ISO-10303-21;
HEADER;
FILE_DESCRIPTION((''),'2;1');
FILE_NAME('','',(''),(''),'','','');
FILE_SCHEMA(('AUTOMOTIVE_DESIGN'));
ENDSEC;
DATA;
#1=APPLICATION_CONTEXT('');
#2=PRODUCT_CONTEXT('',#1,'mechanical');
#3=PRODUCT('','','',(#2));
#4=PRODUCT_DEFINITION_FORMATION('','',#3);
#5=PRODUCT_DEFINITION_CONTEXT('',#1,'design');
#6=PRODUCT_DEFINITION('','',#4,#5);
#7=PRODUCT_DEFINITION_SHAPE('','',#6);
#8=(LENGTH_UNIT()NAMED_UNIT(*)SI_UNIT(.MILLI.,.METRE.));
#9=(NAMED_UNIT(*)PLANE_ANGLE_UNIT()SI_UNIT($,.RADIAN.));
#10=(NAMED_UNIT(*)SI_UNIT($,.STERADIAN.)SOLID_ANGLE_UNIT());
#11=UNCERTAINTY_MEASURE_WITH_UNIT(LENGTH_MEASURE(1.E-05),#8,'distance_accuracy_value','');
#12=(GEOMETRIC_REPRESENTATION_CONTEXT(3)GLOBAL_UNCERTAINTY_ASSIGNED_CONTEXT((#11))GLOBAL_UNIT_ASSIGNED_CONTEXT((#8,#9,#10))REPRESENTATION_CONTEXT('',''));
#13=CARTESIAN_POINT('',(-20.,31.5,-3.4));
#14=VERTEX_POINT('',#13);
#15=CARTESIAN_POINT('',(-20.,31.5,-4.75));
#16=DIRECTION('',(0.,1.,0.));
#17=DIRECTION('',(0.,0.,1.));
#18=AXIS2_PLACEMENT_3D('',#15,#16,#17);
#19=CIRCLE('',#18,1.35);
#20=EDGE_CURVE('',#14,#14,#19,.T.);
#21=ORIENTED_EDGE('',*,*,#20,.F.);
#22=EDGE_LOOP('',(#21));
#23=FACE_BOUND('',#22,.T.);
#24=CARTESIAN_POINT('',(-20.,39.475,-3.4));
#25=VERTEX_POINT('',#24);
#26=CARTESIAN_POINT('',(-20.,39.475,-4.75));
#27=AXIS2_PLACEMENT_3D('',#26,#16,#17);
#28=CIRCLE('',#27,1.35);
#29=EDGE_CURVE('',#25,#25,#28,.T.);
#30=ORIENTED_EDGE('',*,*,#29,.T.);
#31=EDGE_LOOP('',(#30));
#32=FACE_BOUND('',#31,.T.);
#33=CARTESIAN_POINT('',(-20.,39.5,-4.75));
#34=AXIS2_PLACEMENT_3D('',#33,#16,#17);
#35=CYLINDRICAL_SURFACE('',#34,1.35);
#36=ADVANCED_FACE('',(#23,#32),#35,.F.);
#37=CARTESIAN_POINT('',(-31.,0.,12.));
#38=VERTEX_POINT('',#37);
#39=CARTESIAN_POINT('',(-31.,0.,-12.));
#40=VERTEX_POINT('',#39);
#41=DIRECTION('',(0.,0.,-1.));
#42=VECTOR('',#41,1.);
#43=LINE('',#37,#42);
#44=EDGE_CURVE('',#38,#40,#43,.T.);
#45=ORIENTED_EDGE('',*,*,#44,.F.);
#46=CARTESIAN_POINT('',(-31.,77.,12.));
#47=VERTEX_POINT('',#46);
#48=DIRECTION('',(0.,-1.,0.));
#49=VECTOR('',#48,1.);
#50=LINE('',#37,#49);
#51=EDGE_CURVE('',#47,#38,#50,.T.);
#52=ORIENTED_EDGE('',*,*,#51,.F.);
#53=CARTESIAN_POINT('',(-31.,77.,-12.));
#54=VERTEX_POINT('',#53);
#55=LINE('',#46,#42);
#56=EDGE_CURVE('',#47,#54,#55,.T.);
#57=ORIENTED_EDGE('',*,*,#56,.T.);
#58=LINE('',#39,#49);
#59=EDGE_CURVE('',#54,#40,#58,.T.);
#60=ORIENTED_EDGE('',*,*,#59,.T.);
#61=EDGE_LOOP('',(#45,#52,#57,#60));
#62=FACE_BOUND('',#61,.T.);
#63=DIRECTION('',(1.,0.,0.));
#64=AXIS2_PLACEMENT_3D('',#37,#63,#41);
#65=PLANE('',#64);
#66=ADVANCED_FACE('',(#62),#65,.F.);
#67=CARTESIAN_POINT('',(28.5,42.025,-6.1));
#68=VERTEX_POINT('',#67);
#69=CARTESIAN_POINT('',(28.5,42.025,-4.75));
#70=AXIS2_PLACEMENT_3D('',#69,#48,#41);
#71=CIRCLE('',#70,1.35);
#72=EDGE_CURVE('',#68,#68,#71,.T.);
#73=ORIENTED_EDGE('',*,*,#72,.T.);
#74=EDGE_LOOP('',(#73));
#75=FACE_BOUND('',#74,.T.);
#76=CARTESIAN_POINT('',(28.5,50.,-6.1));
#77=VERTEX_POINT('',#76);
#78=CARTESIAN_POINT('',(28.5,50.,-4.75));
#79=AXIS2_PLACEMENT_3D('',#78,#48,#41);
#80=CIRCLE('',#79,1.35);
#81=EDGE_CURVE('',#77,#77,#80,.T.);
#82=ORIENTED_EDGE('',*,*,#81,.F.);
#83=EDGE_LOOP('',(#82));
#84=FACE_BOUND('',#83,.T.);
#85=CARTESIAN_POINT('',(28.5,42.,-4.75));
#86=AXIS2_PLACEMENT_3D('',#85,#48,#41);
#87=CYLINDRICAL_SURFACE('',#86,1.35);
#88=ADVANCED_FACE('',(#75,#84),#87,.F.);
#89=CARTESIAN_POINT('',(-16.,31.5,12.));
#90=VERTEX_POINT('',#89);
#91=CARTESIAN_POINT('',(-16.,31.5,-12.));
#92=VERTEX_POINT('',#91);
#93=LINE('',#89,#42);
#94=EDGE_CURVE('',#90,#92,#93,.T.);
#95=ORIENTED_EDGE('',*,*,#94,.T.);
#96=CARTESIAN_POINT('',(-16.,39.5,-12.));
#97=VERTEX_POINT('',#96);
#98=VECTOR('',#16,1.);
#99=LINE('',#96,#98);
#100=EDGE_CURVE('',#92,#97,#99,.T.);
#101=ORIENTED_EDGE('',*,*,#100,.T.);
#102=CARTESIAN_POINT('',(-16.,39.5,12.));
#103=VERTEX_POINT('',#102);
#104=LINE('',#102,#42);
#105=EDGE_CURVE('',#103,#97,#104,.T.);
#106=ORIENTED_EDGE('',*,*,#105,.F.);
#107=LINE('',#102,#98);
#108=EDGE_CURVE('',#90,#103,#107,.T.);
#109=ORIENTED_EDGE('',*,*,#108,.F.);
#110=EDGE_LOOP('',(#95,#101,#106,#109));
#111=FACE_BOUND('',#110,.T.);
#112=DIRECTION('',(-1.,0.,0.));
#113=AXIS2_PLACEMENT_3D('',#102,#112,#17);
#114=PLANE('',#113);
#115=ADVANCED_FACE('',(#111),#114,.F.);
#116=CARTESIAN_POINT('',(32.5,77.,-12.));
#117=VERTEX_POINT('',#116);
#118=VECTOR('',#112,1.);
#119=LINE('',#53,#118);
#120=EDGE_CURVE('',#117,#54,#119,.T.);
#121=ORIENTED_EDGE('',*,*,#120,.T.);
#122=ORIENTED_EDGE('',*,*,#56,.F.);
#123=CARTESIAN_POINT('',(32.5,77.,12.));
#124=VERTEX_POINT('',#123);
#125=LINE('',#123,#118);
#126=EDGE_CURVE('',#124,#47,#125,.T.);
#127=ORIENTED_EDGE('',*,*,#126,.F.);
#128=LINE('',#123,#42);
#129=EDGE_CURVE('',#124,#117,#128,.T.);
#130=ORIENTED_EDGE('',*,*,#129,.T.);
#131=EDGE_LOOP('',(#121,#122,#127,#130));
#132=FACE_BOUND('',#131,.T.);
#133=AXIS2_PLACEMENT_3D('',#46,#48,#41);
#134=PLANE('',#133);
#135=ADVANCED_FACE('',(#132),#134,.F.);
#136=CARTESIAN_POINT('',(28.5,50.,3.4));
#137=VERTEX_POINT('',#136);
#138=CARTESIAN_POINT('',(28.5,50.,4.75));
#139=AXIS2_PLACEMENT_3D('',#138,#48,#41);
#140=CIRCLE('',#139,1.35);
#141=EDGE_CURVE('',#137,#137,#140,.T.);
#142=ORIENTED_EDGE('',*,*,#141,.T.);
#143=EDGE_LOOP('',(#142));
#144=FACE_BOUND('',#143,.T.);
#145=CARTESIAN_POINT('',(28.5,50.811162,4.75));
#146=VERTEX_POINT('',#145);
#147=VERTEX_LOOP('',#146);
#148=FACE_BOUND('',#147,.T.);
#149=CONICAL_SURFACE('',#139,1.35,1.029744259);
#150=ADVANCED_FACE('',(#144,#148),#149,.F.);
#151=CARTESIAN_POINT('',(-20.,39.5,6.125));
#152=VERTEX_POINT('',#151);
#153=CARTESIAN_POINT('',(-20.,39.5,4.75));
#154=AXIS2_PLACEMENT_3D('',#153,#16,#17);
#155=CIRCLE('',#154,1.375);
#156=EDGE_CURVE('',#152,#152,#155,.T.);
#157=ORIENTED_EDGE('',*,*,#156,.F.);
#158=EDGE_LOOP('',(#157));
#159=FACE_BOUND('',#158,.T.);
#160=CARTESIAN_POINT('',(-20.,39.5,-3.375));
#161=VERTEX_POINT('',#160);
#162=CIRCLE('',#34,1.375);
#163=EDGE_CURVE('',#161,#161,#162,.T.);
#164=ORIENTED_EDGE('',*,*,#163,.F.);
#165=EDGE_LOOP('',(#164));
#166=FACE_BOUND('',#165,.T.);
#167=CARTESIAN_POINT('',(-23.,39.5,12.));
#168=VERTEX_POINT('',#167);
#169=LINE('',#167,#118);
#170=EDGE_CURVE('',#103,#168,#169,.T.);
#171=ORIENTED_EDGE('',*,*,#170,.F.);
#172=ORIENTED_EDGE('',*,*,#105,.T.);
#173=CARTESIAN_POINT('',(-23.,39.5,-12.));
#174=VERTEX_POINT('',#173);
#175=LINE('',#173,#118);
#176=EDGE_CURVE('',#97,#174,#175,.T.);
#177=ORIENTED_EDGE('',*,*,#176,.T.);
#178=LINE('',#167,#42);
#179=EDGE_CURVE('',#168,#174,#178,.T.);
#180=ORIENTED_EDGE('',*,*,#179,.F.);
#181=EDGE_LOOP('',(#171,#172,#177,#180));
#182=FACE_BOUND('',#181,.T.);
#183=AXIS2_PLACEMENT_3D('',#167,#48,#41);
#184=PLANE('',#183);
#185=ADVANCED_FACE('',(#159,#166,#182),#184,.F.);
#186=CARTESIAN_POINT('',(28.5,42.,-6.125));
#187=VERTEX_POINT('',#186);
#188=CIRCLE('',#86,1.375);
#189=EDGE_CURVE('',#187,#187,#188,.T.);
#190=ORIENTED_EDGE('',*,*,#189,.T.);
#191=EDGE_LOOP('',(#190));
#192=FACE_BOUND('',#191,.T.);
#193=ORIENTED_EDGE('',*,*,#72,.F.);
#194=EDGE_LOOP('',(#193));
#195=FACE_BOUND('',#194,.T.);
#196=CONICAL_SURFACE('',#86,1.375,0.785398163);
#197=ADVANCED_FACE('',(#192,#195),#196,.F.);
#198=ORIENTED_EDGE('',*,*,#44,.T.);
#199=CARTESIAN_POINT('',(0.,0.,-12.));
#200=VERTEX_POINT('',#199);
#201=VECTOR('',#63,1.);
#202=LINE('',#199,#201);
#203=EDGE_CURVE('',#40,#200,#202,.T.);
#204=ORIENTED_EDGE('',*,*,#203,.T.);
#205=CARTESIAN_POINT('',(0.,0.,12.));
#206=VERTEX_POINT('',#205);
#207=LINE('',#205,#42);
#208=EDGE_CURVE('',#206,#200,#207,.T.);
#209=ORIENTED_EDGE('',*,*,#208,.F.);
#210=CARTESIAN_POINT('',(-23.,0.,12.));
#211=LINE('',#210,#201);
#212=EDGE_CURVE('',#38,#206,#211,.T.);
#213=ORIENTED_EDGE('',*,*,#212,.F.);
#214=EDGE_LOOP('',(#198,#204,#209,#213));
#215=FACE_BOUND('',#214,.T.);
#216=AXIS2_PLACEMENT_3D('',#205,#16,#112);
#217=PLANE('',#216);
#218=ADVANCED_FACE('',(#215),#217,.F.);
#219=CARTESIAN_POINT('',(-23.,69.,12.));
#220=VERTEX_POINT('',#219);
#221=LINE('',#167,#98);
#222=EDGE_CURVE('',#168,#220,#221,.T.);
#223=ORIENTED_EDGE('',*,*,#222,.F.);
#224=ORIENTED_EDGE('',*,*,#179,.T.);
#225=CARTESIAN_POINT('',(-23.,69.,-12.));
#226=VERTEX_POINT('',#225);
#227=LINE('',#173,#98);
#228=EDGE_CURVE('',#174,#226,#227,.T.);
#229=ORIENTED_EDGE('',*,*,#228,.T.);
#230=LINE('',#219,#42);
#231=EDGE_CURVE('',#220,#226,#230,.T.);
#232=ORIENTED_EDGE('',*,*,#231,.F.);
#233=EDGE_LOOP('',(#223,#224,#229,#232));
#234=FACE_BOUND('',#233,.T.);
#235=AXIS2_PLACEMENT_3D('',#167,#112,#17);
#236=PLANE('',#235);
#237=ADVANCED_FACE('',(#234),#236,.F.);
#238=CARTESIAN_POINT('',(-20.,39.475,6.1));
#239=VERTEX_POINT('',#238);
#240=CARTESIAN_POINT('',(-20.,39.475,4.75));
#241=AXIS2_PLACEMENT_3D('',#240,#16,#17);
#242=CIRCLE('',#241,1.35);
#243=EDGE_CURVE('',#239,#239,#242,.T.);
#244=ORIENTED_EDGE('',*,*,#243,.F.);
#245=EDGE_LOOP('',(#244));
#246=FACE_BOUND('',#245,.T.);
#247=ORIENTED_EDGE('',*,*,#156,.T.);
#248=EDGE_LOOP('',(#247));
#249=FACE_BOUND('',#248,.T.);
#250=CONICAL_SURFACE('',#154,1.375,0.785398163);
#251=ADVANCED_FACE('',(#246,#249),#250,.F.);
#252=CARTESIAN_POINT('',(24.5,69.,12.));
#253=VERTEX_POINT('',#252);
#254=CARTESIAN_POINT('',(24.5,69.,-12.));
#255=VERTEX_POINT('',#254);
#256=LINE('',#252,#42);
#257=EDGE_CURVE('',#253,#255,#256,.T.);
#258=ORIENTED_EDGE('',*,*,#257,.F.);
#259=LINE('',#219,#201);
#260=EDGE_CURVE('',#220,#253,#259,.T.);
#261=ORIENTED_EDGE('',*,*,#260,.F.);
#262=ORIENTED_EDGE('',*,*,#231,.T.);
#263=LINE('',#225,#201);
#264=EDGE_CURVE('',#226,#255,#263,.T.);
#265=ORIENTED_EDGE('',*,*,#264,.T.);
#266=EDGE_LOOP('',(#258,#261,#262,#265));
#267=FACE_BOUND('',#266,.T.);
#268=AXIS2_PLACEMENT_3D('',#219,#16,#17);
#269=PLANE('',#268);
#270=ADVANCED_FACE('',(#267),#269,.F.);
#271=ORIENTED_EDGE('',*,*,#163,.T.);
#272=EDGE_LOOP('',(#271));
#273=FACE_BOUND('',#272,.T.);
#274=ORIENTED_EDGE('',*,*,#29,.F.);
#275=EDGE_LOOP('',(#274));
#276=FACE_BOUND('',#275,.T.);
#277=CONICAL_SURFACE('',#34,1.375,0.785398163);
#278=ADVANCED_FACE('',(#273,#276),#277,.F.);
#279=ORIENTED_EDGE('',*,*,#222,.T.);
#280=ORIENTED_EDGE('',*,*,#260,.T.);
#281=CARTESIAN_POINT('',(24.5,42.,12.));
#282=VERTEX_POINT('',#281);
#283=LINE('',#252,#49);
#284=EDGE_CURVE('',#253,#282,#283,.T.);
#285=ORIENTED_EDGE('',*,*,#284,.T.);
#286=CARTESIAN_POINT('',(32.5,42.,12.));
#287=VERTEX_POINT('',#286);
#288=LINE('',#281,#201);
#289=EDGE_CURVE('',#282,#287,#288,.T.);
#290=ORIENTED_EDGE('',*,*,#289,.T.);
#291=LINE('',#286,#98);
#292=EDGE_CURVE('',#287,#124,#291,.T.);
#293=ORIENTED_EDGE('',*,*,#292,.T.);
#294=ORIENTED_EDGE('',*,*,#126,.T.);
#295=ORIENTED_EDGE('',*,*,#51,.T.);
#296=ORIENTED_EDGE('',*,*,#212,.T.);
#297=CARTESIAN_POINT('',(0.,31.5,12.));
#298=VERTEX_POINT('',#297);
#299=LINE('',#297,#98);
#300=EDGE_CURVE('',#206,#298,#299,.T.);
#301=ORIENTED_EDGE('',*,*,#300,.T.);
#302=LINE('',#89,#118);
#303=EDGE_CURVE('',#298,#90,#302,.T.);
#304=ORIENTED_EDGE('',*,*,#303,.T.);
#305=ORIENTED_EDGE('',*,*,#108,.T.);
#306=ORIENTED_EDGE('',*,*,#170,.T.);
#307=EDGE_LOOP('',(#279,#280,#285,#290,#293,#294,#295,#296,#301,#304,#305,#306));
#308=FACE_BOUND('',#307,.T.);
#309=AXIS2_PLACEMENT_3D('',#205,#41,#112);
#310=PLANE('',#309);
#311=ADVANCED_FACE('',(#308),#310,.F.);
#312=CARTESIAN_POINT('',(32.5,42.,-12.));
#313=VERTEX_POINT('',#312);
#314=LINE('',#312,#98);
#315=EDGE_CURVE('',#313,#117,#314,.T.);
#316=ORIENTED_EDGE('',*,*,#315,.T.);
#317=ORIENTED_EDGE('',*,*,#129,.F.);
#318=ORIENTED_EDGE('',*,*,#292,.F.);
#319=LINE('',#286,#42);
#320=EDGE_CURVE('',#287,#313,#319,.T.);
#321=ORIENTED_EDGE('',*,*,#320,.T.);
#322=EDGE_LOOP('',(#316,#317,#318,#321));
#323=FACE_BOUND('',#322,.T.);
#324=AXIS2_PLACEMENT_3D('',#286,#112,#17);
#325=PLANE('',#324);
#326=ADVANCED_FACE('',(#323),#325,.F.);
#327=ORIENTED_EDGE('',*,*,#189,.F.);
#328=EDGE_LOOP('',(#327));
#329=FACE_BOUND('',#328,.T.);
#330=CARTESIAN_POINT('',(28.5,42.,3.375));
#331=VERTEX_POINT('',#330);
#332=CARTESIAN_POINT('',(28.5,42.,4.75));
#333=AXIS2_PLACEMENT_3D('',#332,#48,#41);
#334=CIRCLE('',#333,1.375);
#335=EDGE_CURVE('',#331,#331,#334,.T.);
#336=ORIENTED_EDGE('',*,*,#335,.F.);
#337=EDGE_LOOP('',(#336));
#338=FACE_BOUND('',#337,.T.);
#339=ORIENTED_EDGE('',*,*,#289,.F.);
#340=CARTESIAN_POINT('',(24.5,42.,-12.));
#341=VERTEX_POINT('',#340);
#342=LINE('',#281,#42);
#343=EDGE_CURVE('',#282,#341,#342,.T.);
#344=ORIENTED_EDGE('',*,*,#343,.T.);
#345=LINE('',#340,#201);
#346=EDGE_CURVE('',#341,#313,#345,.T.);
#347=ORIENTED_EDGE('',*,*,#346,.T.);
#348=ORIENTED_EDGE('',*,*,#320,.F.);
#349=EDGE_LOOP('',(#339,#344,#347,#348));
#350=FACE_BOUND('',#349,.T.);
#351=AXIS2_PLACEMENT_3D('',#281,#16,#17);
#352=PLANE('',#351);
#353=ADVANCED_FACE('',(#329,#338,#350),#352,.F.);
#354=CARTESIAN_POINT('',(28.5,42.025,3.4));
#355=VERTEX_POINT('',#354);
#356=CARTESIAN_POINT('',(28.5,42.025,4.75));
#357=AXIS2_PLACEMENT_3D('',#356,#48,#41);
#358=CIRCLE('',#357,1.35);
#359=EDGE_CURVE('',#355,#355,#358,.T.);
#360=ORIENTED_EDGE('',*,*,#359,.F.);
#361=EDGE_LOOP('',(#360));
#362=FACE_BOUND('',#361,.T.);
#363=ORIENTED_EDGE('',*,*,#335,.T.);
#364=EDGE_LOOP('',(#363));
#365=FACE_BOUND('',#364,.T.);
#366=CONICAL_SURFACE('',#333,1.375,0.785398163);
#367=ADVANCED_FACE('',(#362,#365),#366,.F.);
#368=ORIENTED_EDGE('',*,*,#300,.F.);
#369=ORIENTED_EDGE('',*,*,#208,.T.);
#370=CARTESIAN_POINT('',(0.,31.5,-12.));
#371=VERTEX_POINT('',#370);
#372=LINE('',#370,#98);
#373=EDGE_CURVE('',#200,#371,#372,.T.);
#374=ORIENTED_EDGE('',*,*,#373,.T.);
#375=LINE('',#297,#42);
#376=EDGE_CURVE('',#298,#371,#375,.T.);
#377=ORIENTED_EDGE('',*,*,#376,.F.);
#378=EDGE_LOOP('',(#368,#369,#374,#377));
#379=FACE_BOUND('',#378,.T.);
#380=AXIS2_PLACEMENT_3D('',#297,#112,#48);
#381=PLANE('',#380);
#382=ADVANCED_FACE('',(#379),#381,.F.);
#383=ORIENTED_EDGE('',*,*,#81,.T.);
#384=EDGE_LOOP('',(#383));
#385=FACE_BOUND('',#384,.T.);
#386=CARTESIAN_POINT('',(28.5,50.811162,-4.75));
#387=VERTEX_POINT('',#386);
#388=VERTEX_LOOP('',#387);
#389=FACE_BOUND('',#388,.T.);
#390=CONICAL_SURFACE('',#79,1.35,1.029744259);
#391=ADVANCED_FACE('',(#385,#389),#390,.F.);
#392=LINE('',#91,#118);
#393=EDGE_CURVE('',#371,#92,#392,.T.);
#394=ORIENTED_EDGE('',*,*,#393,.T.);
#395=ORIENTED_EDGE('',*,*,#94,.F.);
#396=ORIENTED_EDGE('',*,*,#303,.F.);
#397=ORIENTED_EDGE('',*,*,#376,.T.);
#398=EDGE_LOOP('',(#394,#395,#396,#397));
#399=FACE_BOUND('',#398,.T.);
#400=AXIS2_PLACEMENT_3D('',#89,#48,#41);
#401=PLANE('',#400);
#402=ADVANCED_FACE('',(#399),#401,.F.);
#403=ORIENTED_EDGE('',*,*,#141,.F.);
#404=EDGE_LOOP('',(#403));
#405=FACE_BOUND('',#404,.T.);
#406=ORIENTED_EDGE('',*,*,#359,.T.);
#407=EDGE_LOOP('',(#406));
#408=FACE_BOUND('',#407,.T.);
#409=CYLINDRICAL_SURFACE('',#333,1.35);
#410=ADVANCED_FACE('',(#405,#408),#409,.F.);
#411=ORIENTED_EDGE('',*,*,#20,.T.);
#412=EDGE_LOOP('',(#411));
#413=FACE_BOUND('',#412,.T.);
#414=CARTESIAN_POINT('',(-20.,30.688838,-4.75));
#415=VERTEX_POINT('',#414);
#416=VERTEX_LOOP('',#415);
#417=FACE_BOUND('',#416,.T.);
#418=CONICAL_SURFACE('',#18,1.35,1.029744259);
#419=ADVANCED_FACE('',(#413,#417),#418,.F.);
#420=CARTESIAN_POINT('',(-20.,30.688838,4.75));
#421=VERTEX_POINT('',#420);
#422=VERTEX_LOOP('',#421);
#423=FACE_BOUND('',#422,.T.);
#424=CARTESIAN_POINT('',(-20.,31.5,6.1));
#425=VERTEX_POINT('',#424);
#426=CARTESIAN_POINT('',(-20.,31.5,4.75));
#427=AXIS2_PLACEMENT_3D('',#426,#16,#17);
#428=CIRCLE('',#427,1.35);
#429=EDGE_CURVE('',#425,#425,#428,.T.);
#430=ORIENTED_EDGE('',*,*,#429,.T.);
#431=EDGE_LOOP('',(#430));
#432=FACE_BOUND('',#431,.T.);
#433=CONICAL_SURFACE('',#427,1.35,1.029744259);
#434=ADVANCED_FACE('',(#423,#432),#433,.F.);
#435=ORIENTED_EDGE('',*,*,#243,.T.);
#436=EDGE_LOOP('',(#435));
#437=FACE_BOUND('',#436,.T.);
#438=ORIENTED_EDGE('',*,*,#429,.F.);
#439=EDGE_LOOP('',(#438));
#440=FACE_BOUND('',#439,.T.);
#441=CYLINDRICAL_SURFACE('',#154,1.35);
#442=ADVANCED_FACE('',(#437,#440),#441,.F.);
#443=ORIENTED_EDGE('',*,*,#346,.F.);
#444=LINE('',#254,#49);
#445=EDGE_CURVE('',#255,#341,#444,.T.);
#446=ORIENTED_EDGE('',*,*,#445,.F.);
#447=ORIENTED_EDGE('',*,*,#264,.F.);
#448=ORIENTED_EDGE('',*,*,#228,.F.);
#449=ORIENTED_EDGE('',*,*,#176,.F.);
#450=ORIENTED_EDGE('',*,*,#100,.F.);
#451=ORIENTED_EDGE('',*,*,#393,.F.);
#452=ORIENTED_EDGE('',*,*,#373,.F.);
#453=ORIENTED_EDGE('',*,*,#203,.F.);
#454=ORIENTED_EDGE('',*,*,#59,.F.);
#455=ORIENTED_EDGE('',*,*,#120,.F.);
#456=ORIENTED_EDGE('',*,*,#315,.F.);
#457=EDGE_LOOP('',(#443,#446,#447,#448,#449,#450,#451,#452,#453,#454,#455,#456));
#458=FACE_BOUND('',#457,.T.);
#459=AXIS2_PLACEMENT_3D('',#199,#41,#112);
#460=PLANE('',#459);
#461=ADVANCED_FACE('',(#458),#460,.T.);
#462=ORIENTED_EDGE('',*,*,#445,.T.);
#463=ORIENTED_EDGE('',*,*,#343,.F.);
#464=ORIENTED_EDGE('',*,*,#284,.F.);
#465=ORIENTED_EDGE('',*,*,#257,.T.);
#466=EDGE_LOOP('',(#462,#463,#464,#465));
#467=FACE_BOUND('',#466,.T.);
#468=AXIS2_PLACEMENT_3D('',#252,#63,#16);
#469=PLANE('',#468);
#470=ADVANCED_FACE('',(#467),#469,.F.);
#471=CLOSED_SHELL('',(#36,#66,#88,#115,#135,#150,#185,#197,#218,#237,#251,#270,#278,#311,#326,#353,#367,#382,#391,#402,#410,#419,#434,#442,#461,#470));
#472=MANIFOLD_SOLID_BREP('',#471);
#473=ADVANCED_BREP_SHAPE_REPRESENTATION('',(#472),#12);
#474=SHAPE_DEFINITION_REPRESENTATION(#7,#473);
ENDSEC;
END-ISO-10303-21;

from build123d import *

# Parameters (mm, degrees)
BOSS_EXTRUDE1_DEPTH                  = 12
F_2_7_2_7_DIAMETER_HOLE1_D           = 2.7
F_2_7_2_7_DIAMETER_HOLE1_DEPTH       = 8
F_2_7_2_7_DIAMETER_HOLE1_CSINK_D     = 2.75
F_2_7_2_7_DIAMETER_HOLE1_CSINK_ANGLE = 90
F_2_7_2_7_DIAMETER_HOLE1_TIP         = 0.811161836
F_2_7_2_7_DIAMETER_HOLE2_D           = 2.7
F_2_7_2_7_DIAMETER_HOLE2_DEPTH       = 8
F_2_7_2_7_DIAMETER_HOLE2_CSINK_D     = 2.75
F_2_7_2_7_DIAMETER_HOLE2_CSINK_ANGLE = 90
F_2_7_2_7_DIAMETER_HOLE2_TIP         = 0.811161836


with BuildPart() as part:
    # Sketch1 → Boss-Extrude1 (new, symmetric)
    with BuildSketch(Plane.XY):
        Polygon((0, 0), (-23, 0), (-31, 0), (-31, 77), (-23.404895261, 77), (32.5, 77), (32.5, 42), (24.5, 42), (24.5, 69), (-23, 69), (-23, 39.5), (-16, 39.5), (-16, 31.5), (0, 31.5), align=None)
    extrude(amount=BOSS_EXTRUDE1_DEPTH, both=True)

    # Ø2.7 (2.7) Diameter Hole1
    with Locations(Plane(origin=(0, 39.5, 0), x_dir=(1, 0, 0), z_dir=(0, 1, 0))):
        with Locations((-20, 4.75), (-20, -4.75)):
            CounterSinkHole(F_2_7_2_7_DIAMETER_HOLE1_D / 2, F_2_7_2_7_DIAMETER_HOLE1_CSINK_D / 2, depth=F_2_7_2_7_DIAMETER_HOLE1_DEPTH, counter_sink_angle=F_2_7_2_7_DIAMETER_HOLE1_CSINK_ANGLE)
            with Locations((0, 0, -(F_2_7_2_7_DIAMETER_HOLE1_DEPTH + F_2_7_2_7_DIAMETER_HOLE1_TIP / 2))):  # 118° drill point
                Cone(0, F_2_7_2_7_DIAMETER_HOLE1_D / 2, F_2_7_2_7_DIAMETER_HOLE1_TIP, mode=Mode.SUBTRACT)

    # Ø2.7 (2.7) Diameter Hole2
    with Locations(Plane(origin=(0, 42, 0), x_dir=(-1, 0, 0), z_dir=(0, -1, 0))):
        with Locations((-28.5, 4.75), (-28.5, -4.75)):
            CounterSinkHole(F_2_7_2_7_DIAMETER_HOLE2_D / 2, F_2_7_2_7_DIAMETER_HOLE2_CSINK_D / 2, depth=F_2_7_2_7_DIAMETER_HOLE2_DEPTH, counter_sink_angle=F_2_7_2_7_DIAMETER_HOLE2_CSINK_ANGLE)
            with Locations((0, 0, -(F_2_7_2_7_DIAMETER_HOLE2_DEPTH + F_2_7_2_7_DIAMETER_HOLE2_TIP / 2))):  # 118° drill point
                Cone(0, F_2_7_2_7_DIAMETER_HOLE2_D / 2, F_2_7_2_7_DIAMETER_HOLE2_TIP, mode=Mode.SUBTRACT)


solid = part.part
